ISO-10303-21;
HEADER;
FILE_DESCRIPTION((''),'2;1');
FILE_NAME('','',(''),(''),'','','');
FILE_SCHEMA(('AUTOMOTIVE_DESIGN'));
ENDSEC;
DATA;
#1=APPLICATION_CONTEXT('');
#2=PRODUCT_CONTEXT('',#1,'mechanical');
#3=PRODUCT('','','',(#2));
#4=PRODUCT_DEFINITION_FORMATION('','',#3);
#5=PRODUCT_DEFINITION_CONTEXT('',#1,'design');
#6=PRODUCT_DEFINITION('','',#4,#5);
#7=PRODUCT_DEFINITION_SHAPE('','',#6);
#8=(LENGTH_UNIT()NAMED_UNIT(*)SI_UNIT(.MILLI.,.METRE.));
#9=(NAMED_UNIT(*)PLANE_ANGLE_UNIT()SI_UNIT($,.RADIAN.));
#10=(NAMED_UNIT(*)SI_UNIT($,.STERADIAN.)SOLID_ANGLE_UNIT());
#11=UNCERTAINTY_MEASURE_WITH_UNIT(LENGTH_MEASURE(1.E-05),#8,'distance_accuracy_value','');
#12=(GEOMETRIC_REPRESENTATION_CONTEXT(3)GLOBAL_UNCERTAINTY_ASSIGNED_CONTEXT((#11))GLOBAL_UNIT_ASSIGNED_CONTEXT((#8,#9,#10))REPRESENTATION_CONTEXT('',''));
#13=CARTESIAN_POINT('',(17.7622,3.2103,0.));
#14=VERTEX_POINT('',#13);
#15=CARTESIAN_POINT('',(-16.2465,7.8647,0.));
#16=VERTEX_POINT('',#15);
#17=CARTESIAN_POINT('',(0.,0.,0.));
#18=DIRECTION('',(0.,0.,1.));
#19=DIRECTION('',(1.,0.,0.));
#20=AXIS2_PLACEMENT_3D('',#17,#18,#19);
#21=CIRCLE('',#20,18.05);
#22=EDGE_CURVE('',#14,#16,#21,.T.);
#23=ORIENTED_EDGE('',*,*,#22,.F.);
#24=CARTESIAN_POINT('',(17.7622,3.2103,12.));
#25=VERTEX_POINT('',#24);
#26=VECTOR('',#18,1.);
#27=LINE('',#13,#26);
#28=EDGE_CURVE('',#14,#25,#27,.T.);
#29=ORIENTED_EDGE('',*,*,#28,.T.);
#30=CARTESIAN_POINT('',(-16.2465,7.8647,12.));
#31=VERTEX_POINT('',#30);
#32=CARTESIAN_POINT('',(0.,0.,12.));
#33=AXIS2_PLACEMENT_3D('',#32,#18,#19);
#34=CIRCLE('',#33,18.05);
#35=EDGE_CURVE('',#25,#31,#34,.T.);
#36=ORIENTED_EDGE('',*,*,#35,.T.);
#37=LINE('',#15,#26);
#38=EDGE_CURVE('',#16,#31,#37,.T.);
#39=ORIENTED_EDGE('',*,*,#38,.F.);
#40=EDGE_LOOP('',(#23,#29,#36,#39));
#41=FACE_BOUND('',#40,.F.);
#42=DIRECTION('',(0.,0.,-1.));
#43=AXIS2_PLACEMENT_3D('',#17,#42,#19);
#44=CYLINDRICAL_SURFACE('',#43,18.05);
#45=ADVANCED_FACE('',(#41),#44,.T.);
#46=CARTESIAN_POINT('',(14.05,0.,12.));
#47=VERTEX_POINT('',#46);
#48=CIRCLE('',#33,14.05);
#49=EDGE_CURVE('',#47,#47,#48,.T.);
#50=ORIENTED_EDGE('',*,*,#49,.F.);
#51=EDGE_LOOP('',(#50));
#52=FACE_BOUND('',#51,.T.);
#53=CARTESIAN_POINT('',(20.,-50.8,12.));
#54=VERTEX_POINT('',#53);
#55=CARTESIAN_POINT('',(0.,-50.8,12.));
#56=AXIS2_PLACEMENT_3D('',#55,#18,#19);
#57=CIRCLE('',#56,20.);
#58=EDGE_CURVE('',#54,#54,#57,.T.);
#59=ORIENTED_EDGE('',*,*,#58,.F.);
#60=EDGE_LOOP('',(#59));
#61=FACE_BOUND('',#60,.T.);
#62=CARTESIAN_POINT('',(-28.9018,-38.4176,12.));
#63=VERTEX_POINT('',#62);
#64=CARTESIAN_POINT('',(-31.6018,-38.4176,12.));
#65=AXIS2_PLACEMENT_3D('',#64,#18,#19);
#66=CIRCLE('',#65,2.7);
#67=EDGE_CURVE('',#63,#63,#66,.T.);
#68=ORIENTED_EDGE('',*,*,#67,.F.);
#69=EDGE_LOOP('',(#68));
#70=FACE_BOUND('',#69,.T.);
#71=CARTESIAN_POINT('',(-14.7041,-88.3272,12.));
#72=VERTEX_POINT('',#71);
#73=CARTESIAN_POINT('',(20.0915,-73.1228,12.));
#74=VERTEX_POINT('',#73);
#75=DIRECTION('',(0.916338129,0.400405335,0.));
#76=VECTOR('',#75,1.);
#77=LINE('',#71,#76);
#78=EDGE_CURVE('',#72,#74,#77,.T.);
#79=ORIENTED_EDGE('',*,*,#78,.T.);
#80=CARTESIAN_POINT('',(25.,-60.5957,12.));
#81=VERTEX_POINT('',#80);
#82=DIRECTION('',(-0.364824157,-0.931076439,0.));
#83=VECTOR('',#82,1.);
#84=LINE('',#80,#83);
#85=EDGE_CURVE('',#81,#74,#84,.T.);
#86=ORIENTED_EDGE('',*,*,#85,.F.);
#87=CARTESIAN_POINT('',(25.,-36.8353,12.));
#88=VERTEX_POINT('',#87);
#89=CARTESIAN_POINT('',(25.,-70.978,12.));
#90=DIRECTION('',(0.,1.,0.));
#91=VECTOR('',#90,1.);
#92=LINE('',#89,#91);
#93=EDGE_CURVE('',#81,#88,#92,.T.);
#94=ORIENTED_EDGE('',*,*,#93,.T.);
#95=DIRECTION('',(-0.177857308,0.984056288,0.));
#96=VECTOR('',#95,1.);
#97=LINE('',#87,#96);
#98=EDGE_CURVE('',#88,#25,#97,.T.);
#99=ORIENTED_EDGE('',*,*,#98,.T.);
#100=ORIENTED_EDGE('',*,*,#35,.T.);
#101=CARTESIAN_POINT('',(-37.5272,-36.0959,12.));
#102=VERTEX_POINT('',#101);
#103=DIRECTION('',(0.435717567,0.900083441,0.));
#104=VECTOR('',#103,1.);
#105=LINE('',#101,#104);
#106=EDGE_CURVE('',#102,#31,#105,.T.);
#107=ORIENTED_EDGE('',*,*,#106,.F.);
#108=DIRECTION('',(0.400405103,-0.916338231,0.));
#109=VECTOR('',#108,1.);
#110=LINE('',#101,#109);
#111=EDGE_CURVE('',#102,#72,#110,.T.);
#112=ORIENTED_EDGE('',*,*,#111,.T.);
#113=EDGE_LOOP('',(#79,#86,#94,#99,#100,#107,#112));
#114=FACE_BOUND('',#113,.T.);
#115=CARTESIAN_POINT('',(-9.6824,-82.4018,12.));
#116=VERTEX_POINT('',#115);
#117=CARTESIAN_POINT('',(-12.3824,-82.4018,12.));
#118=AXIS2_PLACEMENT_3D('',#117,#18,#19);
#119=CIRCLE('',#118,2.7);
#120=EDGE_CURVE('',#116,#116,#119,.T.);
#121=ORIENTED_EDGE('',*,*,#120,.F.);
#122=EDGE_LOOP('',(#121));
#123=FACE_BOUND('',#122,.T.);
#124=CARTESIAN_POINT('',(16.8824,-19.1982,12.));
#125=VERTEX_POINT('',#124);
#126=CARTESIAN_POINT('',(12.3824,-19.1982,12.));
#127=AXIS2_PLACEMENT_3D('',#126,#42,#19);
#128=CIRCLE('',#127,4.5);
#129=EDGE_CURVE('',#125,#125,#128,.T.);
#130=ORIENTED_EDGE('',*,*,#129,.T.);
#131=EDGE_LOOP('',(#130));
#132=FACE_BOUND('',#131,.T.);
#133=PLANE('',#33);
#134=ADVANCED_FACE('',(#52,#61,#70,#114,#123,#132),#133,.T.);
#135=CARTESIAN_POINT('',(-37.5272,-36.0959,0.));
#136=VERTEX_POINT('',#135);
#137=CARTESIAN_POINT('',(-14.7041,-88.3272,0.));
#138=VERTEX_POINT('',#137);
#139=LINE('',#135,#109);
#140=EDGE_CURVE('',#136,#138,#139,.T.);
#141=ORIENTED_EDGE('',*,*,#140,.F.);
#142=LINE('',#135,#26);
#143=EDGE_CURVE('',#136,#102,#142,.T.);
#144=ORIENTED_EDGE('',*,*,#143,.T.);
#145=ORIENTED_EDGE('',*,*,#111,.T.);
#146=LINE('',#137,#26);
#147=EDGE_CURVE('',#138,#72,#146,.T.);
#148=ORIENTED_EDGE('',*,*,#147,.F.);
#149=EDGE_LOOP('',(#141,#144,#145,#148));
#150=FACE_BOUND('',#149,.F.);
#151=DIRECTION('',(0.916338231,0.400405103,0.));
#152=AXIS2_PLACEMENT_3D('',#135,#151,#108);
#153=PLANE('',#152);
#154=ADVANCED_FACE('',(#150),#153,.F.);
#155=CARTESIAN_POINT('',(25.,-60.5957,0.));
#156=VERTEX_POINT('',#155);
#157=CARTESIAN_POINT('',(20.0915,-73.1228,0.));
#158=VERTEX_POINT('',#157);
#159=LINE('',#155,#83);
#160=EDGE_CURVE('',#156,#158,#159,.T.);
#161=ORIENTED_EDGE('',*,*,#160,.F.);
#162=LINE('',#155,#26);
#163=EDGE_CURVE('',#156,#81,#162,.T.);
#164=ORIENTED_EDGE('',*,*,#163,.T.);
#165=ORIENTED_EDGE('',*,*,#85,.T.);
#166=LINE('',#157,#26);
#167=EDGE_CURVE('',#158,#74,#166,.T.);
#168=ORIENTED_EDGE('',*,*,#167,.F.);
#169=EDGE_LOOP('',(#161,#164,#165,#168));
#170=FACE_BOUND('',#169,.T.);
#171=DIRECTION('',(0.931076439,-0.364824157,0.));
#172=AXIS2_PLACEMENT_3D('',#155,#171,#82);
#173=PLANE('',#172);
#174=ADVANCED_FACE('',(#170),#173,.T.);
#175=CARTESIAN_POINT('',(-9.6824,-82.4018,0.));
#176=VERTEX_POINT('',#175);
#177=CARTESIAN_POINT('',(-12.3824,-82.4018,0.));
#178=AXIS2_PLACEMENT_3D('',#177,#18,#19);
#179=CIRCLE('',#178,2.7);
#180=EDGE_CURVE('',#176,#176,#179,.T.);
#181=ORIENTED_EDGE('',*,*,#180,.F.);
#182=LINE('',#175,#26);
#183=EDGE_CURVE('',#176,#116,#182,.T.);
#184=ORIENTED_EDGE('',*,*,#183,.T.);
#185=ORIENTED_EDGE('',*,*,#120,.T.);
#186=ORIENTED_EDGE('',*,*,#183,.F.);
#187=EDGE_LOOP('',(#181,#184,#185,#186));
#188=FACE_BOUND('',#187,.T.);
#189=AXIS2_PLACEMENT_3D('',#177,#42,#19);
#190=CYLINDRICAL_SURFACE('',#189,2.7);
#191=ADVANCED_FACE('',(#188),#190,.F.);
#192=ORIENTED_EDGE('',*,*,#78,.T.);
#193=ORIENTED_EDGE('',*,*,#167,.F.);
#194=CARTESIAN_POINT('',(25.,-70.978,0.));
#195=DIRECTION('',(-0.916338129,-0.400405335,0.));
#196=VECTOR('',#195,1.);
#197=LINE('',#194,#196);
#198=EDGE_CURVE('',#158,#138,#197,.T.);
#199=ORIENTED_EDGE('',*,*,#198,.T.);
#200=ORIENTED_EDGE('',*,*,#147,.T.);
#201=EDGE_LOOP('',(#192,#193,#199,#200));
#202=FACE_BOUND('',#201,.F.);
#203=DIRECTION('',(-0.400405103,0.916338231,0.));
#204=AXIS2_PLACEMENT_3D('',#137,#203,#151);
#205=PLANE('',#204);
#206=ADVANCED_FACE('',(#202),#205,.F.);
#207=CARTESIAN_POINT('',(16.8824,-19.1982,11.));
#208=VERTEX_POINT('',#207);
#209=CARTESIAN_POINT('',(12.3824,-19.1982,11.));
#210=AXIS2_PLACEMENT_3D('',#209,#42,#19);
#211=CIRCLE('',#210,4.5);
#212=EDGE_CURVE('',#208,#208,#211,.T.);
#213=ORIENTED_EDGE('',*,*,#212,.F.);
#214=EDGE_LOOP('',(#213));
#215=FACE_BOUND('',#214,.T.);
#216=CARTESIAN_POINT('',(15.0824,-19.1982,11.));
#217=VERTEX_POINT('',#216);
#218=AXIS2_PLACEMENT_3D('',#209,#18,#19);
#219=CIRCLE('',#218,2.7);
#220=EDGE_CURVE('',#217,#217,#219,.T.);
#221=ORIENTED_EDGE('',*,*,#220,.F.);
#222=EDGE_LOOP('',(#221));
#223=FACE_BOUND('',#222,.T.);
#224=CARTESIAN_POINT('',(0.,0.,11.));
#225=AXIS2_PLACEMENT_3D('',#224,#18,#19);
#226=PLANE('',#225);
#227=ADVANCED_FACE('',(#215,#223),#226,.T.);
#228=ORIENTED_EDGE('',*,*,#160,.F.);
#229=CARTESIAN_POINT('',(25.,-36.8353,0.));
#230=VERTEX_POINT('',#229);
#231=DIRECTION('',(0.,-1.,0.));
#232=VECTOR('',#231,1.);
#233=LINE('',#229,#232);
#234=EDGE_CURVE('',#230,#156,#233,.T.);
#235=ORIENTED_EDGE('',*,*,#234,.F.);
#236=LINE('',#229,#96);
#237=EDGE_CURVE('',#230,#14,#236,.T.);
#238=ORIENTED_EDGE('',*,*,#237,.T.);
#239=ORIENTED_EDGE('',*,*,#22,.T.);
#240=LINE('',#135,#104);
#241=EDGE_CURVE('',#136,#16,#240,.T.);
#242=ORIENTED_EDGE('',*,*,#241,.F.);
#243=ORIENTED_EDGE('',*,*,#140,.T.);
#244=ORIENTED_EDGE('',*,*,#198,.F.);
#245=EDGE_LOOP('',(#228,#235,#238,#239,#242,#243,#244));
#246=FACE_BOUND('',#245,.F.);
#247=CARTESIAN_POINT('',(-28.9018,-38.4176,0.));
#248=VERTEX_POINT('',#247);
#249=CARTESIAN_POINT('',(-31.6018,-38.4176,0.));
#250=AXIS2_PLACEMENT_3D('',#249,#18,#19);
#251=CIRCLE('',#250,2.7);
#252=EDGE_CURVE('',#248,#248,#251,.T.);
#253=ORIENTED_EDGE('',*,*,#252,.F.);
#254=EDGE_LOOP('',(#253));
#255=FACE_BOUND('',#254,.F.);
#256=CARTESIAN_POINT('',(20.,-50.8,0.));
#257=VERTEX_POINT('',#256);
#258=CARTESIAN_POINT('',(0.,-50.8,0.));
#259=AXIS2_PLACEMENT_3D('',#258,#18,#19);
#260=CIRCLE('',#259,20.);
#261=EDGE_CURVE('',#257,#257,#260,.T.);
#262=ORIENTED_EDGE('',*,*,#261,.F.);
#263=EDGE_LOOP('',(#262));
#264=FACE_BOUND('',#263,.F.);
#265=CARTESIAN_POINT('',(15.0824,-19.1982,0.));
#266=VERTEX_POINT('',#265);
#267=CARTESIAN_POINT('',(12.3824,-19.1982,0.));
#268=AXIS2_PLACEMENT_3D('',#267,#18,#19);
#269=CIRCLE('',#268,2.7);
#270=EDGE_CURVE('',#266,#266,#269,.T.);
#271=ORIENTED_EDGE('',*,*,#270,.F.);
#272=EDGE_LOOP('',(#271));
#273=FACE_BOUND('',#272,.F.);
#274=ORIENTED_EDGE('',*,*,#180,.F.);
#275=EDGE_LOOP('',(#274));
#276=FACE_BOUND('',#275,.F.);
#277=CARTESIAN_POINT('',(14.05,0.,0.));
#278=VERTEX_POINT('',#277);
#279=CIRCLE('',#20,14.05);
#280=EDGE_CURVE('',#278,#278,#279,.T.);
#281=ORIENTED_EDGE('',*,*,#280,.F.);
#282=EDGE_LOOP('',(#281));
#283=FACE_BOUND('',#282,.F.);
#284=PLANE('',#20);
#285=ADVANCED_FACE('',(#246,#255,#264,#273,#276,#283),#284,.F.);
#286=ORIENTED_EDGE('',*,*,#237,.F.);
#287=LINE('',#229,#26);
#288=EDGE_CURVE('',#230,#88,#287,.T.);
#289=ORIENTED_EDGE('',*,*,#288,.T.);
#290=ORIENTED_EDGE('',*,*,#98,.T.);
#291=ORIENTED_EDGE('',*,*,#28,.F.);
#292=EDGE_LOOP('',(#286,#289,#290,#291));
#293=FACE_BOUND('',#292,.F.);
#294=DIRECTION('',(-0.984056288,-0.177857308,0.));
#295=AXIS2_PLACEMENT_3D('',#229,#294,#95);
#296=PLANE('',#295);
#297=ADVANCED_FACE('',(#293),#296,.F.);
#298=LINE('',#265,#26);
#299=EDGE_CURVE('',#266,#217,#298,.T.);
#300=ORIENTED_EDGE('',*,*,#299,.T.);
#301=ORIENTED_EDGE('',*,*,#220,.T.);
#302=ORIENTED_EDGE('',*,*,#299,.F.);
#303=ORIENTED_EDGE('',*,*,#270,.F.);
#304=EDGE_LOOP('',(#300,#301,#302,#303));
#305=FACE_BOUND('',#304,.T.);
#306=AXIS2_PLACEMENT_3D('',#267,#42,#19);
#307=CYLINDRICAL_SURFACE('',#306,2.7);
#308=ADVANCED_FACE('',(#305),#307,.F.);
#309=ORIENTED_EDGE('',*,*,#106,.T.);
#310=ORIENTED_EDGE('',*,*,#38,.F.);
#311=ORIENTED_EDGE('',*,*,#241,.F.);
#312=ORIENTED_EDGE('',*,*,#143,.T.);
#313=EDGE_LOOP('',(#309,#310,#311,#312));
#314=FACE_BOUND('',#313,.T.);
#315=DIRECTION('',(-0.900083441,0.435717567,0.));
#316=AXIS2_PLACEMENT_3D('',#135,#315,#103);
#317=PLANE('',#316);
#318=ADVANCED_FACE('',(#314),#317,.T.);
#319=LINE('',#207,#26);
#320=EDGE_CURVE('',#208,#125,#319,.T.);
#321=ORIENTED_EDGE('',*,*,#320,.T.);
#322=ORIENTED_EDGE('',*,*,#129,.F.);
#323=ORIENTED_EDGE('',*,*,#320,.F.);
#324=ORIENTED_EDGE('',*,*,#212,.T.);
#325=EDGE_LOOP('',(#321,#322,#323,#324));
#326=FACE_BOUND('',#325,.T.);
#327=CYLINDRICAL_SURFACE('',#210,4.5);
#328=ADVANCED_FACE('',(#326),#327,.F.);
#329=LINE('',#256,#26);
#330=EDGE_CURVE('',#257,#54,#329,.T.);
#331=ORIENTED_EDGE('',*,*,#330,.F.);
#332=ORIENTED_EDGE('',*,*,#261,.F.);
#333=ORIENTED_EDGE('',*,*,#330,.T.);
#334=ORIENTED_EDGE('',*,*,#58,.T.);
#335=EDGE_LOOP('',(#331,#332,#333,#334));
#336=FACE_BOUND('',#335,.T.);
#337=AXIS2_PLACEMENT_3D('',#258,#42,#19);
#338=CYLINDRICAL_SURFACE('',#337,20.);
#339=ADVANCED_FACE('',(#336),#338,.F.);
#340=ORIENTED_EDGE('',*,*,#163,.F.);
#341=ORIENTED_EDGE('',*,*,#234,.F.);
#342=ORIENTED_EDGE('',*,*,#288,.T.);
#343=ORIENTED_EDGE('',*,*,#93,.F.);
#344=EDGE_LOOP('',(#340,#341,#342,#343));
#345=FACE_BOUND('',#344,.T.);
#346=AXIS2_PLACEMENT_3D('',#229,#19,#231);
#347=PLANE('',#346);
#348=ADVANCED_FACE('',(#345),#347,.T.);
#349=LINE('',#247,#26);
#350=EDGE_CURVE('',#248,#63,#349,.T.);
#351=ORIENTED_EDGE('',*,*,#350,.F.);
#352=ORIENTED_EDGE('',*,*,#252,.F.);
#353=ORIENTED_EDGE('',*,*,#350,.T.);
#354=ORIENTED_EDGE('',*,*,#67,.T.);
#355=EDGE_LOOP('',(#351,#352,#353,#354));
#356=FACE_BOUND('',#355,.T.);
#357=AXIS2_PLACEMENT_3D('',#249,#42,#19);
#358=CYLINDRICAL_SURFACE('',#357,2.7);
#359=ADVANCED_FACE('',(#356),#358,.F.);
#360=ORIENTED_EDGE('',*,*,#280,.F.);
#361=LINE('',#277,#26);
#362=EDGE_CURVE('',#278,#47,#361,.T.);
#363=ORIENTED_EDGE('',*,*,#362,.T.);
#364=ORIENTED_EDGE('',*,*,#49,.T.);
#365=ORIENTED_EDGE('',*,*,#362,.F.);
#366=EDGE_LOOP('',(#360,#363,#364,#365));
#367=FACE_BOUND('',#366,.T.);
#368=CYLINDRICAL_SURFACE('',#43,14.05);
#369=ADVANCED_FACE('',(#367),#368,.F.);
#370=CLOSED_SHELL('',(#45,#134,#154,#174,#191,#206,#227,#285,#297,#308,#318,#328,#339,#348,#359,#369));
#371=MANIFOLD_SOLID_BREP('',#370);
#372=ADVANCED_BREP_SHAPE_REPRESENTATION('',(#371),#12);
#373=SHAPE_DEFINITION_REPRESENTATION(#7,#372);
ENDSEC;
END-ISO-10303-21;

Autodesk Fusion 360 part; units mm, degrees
sketch "Sketch1" plane through (0, 0, 0) normal (0, 0, 1) x (1, 0, 0)
  circle A0 centre (0, 0) radius 14.05
  circle A1 centre (0, 0) radius 18.05
  line L0 (0, 0) -> (0, -50.8) construction
  line L1 (14.7041, -13.2728) -> (-37.5272, -36.0959)
  line L2 (-37.5272, -36.0959) -> (-14.7041, -88.3272)
  line L3 (-14.7041, -88.3272) -> (37.5272, -65.5041)
  line L4 (37.5272, -65.5041) -> (14.7041, -13.2728)
  line L5 (-37.5272, -36.0959) -> (37.5272, -65.5041) construction
  line L6 (14.7041, -13.2728) -> (-14.7041, -88.3272) construction
  circle A2 centre (0, -50.8) radius 25 construction
  line L7 (25, -36.8353) -> (25, -70.978)
  circle A3 centre (0, -50.8) radius 20
  circle A4 centre (12.3824, -19.1982) radius 2.7
  circle A5 centre (-31.6018, -38.4176) radius 2.7
  circle A6 centre (-12.3824, -82.4018) radius 2.7
  circle A7 centre (31.6018, -63.1824) radius 2.7
  line L8 (25, -36.8353) -> (17.7622, 3.2103)
  line L9 (-37.5272, -36.0959) -> (-16.2465, 7.8647)
  circle A8 centre (0, 0) radius 25 construction
  circle A9 centre (12.3824, -19.1982) radius 4.5
  line L10 (25, -60.5957) -> (20.0915, -73.1228)
  point P0 (0, -50.8)
  dimension "d1" = 28.1
  dimension "d2" = 4
  dimension "d3" = 50.8
  dimension "d4" = 57
  dimension "d5" = 57
  dimension "d6" = 57
  dimension "d7" = 50
  dimension "d8" = 40
  dimension "d9" = 5.4
  dimension "d10" = 4.5
  dimension "d11" = 5.4
  dimension "d12" = 5.4
  dimension "d13" = 5.4
  dimension "d14" = 4.5
  dimension "d15" = 4.5
  dimension "d16" = 4.5
  dimension "d19" = 50
extrude "Extrude1" add sketch "Sketch1" along normal blind 12 contours A1 | A1 L1 L4 L8 | A1 L1 L9 | L1 L2 L3 L4 L7 A9 L10 | L1 L4 A9 | A9 | L3 L7 L10
extrude "Extrude2" cut sketch "Sketch1" along normal blind 1 from surface at 11 contours A9
extrude "Extrude3" cut sketch "Sketch1" along normal blind 12 contours L3 L7 L10
